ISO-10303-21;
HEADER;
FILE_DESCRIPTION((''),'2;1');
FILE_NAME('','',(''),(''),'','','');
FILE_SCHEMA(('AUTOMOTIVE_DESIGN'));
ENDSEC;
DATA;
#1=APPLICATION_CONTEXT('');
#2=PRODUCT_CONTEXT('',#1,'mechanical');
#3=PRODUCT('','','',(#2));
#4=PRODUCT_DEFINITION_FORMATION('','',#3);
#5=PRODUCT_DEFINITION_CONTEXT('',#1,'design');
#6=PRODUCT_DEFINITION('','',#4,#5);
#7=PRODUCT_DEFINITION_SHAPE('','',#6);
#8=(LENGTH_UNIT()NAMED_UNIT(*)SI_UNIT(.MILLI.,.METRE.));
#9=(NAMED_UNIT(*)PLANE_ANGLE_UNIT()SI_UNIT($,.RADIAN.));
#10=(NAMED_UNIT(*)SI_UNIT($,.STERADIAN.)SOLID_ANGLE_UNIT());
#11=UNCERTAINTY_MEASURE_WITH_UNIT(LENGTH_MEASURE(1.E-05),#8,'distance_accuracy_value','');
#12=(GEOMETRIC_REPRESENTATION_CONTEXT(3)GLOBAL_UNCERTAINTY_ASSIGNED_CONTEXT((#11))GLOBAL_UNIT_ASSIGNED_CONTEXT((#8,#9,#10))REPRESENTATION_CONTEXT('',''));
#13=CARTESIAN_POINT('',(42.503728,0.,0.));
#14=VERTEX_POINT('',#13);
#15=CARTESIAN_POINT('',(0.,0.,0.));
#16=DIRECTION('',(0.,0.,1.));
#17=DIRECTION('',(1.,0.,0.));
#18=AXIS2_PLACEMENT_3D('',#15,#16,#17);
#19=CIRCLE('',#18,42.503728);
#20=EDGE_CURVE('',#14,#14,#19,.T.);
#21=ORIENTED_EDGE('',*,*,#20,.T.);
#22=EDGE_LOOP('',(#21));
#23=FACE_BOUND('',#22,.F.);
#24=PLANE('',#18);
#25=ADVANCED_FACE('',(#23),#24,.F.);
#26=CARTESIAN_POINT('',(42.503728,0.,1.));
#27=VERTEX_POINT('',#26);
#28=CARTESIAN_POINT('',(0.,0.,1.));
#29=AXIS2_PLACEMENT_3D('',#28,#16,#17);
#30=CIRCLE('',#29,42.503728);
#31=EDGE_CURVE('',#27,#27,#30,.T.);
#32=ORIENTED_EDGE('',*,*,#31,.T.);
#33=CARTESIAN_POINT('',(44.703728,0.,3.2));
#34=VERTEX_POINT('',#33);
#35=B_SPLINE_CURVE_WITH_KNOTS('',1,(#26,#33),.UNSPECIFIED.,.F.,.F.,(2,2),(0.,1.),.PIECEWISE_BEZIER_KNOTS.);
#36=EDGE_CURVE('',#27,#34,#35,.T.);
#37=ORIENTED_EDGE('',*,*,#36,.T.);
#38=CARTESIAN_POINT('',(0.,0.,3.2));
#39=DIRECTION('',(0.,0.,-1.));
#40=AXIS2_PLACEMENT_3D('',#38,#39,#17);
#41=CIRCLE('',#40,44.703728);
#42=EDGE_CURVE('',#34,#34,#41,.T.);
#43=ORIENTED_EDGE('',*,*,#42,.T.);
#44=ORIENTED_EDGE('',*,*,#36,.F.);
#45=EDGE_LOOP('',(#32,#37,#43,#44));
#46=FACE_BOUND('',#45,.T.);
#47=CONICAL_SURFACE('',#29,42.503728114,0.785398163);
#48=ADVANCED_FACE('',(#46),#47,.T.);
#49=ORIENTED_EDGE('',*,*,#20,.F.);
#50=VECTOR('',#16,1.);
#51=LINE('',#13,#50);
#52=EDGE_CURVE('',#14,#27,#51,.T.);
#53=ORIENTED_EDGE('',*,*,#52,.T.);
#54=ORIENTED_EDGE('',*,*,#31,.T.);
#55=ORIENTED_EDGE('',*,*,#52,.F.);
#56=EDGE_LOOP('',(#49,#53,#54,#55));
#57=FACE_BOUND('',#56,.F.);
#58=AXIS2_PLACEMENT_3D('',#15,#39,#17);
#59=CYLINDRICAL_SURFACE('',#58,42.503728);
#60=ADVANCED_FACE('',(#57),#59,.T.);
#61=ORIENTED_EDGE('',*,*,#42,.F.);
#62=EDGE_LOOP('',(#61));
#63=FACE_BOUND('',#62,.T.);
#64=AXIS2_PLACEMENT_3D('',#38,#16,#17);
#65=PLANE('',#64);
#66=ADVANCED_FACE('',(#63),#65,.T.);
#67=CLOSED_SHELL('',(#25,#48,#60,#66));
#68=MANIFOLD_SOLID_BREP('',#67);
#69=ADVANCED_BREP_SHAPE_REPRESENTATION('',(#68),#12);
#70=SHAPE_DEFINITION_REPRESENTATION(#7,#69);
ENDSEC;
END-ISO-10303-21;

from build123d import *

# Parameters (mm, degrees)
F0_R      = 42.5037281142
F1_DEPTH  = 1
F1_FACE_R = 42.5037281142
F2_DEPTH  = 2.2
F2_TAPER  = -45


with BuildPart() as f1:
    # F0 (on Top) → F1 (new body)
    with BuildSketch(Plane.XY):
        Circle(F0_R)
    extrude(amount=F1_DEPTH)

    # F1_face (on face) → F2 (join)
    with BuildSketch(Plane.XY.offset(1)):
        Circle(F1_FACE_R)
    extrude(amount=F2_DEPTH, taper=F2_TAPER)


solid = f1.part
